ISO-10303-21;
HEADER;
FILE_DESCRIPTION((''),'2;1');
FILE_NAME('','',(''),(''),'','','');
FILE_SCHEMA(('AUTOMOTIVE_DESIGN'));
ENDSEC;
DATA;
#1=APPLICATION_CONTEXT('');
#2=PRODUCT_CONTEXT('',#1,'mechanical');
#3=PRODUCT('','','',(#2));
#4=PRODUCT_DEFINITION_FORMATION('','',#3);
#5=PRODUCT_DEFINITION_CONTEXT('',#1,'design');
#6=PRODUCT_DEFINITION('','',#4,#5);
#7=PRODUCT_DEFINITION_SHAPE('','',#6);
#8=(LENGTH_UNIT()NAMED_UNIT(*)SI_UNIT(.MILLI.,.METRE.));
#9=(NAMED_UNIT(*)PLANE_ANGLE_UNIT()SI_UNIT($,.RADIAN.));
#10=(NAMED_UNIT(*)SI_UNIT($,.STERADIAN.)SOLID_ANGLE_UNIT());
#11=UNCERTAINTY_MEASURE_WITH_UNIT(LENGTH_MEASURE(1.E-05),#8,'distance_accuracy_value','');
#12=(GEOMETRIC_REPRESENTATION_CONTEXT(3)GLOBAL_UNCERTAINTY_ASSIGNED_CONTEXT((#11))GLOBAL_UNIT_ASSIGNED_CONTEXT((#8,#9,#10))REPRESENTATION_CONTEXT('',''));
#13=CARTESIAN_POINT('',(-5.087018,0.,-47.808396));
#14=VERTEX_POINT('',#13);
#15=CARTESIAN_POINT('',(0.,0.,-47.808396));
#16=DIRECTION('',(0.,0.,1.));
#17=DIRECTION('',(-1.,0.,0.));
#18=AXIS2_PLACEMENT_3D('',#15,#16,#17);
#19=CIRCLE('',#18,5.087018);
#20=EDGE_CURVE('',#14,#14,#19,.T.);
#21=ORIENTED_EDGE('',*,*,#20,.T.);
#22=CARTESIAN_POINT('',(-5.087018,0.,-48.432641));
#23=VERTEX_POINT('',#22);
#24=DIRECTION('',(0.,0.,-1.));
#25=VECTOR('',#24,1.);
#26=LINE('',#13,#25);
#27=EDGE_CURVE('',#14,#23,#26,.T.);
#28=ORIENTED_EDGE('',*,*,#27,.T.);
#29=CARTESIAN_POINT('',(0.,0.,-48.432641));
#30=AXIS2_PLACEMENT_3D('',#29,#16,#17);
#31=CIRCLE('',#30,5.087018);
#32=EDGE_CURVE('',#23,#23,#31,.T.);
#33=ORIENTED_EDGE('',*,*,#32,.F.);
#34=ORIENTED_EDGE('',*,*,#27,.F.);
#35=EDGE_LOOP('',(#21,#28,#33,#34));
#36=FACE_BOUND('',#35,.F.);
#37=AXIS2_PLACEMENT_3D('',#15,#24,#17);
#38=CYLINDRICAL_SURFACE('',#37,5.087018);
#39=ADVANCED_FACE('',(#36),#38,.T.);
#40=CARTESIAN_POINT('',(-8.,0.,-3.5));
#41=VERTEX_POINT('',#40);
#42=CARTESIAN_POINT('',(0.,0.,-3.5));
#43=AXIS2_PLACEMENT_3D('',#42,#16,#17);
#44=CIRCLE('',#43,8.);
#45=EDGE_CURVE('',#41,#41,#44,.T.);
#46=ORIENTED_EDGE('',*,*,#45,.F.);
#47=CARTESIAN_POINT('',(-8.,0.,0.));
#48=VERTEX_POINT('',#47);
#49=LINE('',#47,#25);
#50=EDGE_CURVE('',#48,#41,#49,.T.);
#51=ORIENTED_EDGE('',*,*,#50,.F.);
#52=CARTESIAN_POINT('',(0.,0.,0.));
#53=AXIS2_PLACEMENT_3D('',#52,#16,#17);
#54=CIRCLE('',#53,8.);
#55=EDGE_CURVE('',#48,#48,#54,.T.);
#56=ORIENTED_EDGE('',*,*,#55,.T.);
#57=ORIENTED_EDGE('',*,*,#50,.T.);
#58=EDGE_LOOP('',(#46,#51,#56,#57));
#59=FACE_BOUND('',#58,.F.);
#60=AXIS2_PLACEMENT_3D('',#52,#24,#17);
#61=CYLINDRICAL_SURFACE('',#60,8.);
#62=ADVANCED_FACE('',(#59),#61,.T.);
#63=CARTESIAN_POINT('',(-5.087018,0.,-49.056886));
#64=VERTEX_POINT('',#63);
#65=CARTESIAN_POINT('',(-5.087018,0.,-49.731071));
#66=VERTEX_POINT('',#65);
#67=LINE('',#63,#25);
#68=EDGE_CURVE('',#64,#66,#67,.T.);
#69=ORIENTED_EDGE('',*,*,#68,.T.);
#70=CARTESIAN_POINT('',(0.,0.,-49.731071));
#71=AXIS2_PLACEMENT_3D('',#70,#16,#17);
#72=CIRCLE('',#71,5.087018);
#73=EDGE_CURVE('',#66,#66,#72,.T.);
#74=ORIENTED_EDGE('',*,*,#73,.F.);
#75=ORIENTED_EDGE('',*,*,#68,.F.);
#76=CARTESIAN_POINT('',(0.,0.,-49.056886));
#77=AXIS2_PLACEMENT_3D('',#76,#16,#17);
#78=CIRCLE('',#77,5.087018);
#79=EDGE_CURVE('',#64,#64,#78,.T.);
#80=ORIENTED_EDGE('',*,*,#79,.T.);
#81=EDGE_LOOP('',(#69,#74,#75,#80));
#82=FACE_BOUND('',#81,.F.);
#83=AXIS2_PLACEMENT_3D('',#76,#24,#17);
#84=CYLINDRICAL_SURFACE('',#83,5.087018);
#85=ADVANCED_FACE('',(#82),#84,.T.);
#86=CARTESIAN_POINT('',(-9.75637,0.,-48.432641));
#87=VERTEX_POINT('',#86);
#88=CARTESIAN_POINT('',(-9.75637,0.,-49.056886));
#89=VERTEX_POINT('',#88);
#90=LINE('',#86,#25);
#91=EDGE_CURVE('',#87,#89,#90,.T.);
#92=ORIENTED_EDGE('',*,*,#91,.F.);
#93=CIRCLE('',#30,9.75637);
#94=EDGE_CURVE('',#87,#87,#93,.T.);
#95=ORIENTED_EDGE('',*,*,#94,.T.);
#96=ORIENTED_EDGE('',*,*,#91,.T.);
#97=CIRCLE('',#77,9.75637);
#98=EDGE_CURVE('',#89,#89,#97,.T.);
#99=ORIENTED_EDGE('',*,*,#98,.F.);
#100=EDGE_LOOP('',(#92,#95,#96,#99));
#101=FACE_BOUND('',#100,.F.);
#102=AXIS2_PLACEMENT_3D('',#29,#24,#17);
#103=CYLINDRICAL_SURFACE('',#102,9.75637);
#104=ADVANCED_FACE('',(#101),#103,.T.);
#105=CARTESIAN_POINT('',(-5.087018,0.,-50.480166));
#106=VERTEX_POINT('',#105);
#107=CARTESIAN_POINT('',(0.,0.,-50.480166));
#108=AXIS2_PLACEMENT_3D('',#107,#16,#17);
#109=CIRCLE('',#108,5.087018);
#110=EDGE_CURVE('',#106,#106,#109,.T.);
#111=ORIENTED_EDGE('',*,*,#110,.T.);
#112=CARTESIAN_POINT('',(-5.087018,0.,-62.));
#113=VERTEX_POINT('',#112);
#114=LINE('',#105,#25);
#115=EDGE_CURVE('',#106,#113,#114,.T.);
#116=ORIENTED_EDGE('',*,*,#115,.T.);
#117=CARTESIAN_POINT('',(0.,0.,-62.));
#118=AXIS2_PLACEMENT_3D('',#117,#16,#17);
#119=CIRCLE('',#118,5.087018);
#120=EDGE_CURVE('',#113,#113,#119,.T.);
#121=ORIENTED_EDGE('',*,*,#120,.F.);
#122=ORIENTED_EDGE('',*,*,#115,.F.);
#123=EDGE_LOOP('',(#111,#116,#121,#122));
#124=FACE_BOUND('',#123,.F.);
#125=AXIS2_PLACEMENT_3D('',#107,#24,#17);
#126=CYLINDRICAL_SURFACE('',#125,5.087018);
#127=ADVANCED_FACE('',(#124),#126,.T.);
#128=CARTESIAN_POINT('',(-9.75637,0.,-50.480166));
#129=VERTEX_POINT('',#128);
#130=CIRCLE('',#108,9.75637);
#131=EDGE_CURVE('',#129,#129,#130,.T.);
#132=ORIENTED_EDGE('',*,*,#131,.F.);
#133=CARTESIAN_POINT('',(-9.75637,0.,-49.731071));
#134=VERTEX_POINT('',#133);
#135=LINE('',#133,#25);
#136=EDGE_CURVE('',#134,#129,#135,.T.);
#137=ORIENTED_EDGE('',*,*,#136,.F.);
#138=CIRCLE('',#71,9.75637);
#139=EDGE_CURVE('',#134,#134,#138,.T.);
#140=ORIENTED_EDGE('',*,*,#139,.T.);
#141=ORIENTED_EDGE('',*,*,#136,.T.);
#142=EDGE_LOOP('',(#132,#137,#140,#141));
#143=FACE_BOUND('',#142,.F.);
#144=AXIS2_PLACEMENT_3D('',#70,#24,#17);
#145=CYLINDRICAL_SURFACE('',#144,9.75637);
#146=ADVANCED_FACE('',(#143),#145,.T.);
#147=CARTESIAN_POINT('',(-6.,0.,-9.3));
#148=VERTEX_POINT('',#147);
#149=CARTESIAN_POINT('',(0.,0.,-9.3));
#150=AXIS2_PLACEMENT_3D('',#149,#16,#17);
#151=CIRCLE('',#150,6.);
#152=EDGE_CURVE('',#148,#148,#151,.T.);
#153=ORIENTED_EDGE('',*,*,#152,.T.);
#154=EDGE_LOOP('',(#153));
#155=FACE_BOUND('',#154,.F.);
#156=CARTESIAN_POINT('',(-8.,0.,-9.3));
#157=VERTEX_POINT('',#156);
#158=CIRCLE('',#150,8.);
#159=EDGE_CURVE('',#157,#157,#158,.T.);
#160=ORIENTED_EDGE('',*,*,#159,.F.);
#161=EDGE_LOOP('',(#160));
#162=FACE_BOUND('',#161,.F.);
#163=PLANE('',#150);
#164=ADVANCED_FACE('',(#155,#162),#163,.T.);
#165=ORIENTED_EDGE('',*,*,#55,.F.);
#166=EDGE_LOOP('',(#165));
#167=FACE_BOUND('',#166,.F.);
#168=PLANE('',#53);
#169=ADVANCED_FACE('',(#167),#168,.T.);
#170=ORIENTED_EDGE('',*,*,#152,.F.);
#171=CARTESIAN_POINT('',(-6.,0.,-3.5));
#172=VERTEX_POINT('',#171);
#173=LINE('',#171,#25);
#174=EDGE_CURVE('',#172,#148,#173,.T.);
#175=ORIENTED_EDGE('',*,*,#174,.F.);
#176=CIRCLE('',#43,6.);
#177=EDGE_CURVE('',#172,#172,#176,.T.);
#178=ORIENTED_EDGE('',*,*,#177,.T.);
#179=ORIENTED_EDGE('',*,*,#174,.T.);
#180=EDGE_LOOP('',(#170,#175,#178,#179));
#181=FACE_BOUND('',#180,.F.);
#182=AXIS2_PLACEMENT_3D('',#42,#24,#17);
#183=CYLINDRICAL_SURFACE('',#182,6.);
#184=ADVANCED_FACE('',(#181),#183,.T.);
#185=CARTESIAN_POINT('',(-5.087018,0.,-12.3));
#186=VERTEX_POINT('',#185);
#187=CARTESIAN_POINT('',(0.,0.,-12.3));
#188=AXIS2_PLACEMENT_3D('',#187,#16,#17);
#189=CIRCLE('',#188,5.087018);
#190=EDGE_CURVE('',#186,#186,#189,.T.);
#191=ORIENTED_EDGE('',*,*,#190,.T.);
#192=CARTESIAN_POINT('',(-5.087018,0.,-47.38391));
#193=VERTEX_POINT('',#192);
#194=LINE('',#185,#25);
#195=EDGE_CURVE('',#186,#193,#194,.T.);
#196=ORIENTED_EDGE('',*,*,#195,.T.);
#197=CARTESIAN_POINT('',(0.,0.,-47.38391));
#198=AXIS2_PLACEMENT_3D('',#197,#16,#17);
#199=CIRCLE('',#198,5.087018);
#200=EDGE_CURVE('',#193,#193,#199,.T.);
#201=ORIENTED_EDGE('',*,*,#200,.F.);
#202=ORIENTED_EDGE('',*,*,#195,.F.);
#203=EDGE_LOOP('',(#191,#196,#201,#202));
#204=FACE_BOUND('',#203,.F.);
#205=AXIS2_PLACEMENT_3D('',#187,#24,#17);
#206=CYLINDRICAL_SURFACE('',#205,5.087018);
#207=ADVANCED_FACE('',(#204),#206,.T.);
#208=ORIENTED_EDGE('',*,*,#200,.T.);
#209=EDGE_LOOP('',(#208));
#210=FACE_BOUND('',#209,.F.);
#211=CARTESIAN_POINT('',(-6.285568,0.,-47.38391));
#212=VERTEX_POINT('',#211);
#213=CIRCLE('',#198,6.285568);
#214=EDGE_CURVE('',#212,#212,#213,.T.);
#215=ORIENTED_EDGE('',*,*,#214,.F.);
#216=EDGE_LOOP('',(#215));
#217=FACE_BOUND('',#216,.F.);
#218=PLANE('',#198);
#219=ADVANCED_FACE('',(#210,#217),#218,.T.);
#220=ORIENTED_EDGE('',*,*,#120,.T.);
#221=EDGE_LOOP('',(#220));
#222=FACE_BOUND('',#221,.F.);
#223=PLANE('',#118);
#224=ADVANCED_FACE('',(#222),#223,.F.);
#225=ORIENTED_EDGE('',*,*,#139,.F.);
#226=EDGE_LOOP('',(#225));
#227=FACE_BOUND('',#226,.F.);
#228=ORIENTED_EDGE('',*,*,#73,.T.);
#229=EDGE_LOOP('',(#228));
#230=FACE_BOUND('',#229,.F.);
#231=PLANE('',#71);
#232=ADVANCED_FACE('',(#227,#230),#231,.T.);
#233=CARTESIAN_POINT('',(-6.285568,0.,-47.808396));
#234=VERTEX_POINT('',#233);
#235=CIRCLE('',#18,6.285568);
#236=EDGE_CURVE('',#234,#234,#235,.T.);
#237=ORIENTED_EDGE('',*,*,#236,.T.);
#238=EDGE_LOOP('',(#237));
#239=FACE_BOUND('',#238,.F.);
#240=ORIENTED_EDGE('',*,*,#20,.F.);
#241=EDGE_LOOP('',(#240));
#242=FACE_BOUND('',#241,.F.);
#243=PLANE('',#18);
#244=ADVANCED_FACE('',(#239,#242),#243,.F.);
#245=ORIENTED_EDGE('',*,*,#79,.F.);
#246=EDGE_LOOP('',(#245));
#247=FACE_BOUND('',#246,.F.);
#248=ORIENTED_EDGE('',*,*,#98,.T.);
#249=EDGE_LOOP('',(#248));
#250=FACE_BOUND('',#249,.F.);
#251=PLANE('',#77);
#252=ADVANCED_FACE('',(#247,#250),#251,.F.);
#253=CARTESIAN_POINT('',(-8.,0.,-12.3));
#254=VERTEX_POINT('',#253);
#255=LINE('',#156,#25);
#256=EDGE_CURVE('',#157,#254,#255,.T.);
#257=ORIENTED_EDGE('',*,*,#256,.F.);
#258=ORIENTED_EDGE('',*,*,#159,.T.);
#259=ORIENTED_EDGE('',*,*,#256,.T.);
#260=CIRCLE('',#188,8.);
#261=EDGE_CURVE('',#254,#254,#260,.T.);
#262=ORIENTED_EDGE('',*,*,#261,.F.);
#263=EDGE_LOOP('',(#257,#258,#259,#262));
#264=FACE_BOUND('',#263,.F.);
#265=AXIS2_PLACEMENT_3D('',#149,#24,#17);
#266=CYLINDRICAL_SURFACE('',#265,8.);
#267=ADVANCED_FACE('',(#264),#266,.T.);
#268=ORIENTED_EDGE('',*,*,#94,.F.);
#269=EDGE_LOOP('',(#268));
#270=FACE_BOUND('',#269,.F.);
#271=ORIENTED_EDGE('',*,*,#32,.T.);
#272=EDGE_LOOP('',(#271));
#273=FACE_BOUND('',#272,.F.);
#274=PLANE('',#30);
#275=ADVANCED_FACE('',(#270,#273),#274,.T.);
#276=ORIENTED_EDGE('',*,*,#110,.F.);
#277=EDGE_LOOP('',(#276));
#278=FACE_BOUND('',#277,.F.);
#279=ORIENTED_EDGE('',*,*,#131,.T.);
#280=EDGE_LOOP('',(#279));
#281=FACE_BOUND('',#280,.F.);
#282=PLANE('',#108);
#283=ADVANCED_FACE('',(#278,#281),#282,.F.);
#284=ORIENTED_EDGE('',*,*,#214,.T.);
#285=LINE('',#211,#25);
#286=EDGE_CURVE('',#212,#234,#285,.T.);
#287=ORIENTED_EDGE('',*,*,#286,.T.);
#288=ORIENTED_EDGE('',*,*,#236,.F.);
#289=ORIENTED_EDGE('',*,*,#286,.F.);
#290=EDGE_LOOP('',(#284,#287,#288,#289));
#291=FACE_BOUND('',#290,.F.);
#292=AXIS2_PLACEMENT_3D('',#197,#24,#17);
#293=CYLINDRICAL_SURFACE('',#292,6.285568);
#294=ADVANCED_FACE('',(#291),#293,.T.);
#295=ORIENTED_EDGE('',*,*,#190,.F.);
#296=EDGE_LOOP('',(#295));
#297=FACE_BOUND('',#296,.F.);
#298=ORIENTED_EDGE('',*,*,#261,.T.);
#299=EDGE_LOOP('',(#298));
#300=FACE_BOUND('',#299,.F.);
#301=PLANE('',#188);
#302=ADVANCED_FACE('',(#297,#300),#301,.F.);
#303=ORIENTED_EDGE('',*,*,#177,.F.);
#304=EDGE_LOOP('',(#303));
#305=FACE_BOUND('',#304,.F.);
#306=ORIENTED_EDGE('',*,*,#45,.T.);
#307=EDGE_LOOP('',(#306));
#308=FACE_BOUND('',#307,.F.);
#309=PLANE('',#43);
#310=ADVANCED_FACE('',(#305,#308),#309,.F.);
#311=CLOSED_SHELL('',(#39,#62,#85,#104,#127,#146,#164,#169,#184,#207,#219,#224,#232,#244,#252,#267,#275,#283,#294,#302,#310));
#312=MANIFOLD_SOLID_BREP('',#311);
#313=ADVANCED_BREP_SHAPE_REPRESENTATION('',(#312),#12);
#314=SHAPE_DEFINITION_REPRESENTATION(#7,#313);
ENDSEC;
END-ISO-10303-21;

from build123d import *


with BuildPart() as f1:
    # F0 (on Front) → F1 (revolve)
    with BuildSketch(Plane.XZ):
        Polygon((0, -62), (0, 0), (-8, 0), (-8, -3.5), (-6, -3.5), (-6, -9.3), (-8, -9.3), (-8, -12.3), (-5.087018, -12.3), (-5.087018, -47.38391), (-6.285568, -47.38391), (-6.285568, -47.808396), (-5.087018, -47.808396), (-5.087018, -48.432641), (-9.75637, -48.432641), (-9.75637, -49.056886), (-5.087018, -49.056886), (-5.087018, -49.731071), (-9.75637, -49.731071), (-9.75637, -50.480166), (-5.087018, -50.480166), (-5.087018, -62), align=None)
    revolve(axis=Axis((0, 0, -31), (0, 0, 1)))


solid = f1.part
